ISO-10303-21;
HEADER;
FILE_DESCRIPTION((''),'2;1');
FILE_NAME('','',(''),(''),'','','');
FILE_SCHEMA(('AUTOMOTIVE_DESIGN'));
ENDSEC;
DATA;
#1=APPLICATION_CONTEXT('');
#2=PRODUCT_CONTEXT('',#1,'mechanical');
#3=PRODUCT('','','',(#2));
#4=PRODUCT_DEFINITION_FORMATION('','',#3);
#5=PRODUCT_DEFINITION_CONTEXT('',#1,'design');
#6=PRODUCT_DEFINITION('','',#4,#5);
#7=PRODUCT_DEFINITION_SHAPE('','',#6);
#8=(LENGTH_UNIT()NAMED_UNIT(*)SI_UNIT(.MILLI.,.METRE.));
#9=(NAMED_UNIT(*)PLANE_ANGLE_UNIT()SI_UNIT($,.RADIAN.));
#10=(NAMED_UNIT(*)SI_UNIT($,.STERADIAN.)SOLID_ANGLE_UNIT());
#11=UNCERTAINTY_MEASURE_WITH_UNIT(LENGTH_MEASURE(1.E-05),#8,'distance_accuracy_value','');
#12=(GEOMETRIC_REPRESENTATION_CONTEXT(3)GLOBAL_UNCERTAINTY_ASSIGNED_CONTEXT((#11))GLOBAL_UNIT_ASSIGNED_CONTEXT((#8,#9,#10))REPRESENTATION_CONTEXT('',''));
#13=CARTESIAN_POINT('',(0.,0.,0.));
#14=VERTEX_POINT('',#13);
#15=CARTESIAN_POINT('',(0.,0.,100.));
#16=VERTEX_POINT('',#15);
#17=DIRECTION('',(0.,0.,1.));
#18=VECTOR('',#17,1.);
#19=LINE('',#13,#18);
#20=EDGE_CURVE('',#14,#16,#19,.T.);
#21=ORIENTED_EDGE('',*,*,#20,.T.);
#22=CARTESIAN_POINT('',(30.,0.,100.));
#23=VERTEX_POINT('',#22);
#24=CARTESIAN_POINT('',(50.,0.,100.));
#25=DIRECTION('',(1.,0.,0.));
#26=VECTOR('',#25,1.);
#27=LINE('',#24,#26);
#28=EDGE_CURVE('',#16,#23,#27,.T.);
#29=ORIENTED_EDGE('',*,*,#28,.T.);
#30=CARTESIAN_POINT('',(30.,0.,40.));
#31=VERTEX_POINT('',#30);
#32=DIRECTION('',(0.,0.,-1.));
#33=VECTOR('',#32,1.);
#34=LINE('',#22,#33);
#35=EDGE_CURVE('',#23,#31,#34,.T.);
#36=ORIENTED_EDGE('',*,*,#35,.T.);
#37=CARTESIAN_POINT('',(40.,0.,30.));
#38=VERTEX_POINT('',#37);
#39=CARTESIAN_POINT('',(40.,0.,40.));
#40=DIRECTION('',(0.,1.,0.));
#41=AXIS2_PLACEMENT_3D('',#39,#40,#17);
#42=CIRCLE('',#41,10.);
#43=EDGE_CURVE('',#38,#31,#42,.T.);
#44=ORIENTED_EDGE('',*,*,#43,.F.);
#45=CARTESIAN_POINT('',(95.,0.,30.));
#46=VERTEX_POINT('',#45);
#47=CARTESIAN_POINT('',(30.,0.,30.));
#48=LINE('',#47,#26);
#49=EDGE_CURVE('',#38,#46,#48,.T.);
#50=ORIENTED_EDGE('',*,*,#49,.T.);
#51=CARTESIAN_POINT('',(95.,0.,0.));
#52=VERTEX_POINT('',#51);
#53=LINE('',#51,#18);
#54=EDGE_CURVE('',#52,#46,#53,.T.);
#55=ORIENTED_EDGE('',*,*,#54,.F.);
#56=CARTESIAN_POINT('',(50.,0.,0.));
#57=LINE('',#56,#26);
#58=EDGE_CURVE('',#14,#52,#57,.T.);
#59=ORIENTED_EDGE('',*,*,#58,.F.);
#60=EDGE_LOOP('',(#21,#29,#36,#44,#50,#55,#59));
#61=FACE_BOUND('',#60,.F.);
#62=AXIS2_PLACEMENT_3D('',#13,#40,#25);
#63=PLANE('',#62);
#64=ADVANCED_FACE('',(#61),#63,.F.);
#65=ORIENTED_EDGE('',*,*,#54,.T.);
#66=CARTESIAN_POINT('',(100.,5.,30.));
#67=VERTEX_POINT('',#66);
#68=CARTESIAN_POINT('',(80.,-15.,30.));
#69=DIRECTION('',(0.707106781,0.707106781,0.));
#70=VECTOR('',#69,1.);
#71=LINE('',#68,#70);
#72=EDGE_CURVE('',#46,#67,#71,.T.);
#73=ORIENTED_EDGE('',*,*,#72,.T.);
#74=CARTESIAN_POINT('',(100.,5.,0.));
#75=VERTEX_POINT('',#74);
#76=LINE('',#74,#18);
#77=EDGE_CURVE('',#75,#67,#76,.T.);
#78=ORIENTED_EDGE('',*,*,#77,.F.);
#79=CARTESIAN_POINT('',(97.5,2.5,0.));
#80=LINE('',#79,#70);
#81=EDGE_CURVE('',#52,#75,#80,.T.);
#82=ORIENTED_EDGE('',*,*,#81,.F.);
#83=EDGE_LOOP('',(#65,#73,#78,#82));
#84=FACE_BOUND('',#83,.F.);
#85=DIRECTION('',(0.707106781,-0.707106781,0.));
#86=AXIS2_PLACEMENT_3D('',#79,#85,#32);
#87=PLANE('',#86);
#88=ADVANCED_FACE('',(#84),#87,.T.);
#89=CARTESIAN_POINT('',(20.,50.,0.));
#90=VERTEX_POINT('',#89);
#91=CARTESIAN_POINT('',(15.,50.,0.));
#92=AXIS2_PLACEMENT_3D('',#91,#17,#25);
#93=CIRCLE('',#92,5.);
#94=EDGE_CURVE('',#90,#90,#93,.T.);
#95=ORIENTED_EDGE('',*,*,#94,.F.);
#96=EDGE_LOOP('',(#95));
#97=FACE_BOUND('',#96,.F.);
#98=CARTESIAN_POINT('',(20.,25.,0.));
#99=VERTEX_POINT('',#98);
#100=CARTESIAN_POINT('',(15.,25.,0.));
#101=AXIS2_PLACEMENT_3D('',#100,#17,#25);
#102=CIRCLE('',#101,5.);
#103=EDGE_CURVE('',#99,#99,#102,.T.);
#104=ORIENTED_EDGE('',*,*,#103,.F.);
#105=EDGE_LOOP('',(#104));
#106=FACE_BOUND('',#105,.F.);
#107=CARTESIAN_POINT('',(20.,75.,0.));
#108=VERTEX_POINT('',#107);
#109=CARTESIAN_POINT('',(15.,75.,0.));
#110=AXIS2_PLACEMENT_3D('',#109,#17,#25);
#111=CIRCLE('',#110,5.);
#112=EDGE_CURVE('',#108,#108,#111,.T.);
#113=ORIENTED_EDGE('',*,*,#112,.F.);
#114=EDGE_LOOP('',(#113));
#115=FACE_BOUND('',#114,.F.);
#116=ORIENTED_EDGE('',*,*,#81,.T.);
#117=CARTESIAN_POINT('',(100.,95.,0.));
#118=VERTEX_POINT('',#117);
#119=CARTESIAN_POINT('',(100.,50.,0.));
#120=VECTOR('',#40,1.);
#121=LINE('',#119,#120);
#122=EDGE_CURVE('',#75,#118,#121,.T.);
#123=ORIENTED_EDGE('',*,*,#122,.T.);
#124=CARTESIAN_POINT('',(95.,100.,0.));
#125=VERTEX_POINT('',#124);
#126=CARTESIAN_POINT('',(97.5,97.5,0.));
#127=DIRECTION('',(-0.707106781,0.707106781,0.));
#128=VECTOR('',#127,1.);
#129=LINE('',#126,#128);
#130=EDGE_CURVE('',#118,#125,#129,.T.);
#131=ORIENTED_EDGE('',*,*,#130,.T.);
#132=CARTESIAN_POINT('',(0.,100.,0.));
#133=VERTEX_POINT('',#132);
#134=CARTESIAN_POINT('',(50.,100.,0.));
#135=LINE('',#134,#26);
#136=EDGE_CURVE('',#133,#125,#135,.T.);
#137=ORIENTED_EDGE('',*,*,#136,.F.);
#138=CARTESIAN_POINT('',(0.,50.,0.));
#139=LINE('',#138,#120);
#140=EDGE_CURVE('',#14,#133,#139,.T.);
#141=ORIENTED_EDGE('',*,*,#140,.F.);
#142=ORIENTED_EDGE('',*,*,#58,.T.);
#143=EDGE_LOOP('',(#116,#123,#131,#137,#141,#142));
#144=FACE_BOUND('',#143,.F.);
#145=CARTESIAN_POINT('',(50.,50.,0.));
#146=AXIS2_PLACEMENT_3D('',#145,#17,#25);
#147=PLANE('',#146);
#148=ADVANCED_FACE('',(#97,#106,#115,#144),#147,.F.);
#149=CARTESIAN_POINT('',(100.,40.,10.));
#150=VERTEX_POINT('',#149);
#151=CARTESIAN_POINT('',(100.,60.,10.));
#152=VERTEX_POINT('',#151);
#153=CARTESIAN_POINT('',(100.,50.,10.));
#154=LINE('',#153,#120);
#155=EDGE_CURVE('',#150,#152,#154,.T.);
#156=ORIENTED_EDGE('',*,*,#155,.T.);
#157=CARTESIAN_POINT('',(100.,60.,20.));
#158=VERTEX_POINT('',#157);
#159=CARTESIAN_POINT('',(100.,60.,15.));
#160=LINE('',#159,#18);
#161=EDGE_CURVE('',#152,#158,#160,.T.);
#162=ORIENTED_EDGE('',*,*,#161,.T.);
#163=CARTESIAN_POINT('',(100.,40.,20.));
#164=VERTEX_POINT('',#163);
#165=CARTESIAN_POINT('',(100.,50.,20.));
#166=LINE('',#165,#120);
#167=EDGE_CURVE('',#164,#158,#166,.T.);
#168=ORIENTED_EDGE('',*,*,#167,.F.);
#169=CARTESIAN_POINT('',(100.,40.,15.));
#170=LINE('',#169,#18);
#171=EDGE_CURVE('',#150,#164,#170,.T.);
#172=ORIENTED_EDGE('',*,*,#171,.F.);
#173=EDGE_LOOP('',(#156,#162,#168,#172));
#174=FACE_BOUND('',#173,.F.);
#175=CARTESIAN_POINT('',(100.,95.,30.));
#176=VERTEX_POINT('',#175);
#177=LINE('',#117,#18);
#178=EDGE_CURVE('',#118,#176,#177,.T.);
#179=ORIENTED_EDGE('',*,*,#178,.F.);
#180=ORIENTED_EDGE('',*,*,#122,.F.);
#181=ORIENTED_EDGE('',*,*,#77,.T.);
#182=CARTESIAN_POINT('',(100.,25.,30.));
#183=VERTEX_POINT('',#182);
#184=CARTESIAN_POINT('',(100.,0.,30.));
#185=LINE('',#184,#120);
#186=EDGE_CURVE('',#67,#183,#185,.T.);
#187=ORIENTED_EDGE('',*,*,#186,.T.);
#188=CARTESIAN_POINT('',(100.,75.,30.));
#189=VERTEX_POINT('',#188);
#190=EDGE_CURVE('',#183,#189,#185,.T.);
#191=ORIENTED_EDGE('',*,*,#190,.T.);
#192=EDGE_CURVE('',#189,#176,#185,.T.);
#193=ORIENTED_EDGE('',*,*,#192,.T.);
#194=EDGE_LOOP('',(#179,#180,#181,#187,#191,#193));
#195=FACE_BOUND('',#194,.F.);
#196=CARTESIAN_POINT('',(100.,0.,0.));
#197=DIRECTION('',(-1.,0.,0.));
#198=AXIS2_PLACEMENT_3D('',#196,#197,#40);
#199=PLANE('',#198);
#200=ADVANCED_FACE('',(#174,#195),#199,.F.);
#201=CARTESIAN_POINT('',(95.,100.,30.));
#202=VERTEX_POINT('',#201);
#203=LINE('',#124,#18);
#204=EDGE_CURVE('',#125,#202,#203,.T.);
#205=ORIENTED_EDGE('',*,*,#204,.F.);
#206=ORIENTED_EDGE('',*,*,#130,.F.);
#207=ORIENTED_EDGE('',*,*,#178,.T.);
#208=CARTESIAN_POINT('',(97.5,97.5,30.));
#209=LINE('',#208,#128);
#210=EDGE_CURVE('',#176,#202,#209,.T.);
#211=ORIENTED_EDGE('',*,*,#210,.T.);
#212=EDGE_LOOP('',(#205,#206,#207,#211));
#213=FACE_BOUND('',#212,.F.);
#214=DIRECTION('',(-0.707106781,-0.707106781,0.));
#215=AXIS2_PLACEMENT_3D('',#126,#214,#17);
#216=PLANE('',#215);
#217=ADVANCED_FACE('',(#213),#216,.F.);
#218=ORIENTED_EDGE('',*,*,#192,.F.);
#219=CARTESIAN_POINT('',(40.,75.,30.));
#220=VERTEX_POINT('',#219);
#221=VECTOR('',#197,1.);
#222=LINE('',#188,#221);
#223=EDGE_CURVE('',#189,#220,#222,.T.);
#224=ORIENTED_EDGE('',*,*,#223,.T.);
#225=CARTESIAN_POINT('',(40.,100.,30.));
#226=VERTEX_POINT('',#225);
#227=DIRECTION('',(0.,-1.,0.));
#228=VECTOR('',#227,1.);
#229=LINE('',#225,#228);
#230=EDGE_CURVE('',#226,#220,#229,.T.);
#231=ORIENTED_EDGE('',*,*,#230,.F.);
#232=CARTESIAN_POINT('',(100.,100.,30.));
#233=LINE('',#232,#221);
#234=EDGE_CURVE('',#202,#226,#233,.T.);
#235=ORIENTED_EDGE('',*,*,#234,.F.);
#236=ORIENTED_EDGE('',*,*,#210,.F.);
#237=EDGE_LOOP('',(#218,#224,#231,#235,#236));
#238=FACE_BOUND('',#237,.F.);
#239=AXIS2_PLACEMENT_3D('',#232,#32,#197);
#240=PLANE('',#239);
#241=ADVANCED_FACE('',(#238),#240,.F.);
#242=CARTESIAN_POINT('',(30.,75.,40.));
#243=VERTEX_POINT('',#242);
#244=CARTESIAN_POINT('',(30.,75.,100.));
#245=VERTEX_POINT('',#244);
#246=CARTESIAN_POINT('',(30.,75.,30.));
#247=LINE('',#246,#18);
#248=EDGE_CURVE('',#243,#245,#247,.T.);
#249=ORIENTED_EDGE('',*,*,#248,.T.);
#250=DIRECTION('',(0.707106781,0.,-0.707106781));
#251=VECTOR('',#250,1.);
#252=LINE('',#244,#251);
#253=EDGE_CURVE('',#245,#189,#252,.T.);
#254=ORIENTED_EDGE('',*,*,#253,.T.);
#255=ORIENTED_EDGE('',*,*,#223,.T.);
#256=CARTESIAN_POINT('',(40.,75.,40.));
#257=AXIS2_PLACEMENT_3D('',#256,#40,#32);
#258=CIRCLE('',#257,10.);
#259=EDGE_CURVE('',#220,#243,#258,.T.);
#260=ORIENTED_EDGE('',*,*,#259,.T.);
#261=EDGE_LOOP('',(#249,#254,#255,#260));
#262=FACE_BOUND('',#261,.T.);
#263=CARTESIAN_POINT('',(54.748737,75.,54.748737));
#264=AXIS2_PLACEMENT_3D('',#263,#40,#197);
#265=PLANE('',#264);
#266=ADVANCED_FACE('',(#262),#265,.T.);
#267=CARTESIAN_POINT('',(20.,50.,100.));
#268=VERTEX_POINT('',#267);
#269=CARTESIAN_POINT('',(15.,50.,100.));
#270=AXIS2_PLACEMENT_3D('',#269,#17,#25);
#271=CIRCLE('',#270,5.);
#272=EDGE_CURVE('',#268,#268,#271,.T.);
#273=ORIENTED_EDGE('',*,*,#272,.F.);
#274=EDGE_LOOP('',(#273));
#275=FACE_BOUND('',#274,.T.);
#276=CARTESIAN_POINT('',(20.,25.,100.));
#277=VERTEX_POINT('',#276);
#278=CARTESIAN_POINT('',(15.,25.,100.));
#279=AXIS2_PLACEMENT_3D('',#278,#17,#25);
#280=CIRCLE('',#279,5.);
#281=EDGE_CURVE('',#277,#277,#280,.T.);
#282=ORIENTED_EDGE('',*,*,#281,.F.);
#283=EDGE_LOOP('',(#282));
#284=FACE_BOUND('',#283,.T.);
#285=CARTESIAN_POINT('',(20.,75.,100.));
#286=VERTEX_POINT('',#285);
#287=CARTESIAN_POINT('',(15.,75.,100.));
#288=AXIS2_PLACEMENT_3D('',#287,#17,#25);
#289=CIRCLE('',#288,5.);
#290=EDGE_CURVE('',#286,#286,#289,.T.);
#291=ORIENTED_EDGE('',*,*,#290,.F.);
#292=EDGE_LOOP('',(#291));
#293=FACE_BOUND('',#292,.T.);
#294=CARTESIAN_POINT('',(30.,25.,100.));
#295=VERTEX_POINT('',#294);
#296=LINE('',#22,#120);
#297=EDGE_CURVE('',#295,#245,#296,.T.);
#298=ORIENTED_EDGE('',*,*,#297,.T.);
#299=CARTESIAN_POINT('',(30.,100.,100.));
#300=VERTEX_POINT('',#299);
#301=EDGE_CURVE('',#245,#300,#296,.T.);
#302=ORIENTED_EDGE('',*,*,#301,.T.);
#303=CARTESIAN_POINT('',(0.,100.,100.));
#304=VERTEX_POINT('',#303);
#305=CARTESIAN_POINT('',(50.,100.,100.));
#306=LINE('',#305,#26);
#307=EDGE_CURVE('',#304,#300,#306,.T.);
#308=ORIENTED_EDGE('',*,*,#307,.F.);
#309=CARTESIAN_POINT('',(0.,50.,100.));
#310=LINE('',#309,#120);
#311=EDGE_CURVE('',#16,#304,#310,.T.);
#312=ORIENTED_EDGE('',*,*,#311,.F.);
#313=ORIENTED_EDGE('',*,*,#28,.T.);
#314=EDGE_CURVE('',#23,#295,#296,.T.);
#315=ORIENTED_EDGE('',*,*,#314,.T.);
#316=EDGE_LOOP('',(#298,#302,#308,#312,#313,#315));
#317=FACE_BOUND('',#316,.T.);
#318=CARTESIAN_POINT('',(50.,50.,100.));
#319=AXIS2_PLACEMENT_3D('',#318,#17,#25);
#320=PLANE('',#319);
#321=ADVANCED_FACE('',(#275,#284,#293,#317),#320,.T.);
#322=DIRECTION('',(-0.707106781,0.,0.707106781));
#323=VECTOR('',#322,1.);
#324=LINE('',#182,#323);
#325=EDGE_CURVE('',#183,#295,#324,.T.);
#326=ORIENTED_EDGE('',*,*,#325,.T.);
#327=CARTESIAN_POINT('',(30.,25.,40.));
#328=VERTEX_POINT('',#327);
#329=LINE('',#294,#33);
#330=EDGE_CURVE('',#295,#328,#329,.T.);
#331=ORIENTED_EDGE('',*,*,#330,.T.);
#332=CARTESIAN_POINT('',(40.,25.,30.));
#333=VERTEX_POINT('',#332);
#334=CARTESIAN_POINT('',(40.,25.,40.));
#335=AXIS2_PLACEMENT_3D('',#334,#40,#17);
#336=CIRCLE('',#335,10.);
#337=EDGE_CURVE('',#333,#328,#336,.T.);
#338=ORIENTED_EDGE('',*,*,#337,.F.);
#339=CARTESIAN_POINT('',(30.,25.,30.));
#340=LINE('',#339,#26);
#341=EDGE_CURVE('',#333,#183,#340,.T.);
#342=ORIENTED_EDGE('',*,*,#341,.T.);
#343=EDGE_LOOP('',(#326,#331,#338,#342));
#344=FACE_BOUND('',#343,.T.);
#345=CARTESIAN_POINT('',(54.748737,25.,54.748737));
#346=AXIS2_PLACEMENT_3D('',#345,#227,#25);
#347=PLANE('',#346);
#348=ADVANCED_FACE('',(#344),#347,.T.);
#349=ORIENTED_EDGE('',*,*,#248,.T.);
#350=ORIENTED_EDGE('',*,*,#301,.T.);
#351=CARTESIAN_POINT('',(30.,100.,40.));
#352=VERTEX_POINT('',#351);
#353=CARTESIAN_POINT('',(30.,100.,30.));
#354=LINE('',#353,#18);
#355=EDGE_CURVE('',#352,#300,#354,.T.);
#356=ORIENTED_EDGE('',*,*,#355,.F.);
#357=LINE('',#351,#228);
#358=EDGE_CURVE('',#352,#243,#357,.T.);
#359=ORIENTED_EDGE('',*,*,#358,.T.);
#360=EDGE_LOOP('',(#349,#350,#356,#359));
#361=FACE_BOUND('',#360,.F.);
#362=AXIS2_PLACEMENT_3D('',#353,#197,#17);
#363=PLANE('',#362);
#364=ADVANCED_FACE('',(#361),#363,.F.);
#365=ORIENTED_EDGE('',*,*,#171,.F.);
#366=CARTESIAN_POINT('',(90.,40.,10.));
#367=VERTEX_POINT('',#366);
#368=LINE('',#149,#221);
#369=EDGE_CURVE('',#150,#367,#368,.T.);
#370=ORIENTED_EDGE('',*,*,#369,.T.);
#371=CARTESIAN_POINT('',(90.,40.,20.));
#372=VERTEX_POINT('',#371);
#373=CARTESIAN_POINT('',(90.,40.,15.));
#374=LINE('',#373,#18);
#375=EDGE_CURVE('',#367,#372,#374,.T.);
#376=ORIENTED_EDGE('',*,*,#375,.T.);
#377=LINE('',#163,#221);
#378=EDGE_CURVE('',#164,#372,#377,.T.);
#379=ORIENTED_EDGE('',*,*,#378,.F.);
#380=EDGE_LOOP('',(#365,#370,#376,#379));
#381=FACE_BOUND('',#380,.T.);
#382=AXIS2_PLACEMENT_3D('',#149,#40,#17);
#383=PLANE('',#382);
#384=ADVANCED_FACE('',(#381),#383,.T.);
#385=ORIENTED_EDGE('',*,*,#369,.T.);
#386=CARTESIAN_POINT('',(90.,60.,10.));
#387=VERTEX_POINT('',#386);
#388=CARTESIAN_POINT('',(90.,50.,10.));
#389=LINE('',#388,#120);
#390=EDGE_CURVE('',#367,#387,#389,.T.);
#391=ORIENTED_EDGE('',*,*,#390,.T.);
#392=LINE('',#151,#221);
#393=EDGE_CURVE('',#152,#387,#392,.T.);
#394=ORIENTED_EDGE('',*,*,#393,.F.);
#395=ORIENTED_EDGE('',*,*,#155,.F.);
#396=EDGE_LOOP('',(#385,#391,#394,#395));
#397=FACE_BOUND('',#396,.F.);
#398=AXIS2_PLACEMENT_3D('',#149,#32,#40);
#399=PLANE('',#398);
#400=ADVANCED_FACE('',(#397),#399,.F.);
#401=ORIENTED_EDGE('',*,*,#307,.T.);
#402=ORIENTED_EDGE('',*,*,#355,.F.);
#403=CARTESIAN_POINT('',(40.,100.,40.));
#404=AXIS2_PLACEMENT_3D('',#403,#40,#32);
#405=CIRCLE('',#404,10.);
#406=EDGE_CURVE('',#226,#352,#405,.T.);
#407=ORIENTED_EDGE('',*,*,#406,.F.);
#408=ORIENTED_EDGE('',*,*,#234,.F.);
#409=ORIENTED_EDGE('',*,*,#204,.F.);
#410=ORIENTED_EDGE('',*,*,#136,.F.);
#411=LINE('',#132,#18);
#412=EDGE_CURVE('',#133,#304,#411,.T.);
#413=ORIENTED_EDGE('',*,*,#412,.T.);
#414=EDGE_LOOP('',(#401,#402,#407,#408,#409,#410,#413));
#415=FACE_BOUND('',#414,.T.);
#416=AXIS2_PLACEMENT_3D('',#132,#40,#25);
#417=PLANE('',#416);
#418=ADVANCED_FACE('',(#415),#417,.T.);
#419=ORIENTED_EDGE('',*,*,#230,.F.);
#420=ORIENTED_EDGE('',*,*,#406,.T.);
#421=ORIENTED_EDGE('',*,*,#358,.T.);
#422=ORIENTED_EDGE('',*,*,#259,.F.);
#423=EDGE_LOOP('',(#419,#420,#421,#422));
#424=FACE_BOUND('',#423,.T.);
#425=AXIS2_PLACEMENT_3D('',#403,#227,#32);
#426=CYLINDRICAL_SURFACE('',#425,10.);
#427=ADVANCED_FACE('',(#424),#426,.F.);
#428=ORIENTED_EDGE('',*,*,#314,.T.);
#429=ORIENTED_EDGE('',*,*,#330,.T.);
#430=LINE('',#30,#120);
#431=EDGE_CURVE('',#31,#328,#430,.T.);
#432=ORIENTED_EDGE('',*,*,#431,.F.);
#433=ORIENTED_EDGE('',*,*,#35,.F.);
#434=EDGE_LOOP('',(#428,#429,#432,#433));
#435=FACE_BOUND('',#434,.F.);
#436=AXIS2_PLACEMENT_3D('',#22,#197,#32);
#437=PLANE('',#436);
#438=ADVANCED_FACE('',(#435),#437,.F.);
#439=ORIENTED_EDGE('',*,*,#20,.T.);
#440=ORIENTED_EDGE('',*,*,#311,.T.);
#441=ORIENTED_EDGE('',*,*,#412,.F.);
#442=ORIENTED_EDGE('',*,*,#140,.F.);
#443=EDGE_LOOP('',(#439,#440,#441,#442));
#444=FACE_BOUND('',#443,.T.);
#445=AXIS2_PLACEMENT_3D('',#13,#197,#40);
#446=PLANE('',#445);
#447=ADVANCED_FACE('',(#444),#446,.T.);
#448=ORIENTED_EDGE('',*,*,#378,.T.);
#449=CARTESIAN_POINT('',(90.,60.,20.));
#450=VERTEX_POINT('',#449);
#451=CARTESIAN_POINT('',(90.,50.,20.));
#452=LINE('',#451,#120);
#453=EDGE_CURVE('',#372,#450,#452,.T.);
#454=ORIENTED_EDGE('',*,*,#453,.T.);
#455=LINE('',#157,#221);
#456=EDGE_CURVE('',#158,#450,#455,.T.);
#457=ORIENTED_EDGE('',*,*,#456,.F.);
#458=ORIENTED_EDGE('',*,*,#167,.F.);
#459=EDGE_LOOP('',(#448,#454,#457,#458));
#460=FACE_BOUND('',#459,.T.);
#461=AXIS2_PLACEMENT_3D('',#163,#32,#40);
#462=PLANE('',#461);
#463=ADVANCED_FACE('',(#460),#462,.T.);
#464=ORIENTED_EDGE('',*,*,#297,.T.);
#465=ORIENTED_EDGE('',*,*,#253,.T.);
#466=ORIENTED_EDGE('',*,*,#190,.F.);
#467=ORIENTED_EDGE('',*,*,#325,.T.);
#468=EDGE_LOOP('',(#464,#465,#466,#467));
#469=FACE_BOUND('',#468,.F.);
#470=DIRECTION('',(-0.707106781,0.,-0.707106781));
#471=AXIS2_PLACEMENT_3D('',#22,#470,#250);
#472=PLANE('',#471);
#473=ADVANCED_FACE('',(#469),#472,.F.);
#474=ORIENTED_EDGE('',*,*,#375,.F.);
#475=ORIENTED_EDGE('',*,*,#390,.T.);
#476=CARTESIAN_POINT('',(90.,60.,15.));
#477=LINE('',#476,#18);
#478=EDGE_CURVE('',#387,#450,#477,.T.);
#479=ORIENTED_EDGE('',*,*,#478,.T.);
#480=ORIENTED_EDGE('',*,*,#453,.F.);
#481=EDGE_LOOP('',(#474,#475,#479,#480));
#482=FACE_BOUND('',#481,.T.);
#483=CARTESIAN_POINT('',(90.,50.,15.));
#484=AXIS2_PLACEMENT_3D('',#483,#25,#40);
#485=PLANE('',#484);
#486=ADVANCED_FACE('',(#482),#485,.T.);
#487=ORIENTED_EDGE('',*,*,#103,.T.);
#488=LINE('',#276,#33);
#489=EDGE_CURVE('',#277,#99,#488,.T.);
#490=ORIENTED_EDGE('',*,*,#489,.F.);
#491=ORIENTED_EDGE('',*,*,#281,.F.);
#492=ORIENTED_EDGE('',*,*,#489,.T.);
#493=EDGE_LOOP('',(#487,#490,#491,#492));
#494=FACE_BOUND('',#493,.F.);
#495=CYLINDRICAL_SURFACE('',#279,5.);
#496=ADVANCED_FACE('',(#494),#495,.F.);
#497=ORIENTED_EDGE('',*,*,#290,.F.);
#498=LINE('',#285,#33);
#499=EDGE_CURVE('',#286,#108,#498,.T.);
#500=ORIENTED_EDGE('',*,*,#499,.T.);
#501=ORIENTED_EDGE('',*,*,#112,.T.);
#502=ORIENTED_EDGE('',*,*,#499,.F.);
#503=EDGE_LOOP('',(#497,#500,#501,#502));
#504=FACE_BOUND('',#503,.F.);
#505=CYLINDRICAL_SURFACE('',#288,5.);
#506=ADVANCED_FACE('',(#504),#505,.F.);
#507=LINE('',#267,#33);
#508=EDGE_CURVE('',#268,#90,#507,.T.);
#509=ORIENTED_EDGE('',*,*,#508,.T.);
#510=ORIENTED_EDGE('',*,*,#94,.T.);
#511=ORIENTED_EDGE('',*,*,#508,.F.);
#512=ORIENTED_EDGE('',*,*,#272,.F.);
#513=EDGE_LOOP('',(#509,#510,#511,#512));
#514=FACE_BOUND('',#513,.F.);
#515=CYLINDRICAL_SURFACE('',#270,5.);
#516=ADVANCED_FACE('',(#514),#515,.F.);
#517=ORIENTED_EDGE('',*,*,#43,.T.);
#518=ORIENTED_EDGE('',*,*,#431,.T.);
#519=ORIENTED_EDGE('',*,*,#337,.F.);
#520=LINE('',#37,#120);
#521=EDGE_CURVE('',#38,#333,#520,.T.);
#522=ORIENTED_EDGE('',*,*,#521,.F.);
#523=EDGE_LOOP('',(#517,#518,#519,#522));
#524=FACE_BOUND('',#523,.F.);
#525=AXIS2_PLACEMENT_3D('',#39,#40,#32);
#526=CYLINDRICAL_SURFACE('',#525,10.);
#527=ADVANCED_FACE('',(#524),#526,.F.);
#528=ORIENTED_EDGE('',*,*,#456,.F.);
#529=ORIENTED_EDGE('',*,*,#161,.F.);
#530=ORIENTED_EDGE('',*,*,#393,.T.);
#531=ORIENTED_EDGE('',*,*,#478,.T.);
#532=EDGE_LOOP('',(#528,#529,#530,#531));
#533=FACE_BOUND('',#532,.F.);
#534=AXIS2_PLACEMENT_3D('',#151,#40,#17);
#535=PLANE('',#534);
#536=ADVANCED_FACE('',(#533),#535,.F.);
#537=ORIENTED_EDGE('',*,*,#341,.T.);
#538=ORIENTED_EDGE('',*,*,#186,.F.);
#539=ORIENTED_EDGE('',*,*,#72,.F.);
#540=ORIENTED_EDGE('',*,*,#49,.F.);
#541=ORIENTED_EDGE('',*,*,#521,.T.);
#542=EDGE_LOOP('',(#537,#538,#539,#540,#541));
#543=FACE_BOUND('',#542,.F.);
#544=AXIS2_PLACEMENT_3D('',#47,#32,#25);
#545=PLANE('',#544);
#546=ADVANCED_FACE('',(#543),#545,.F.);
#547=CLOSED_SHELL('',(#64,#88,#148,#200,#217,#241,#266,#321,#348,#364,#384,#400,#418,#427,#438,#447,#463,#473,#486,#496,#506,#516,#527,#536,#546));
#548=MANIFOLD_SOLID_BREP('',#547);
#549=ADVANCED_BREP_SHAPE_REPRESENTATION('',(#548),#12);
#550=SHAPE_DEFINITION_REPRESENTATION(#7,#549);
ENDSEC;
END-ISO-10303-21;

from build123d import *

# Parameters (mm, degrees)
F0_W      = 100
F0_H      = 100
F1_DEPTH  = 100
F2_W      = 20
F2_H      = 10
F3_DEPTH  = 10
F4_R      = 5
F5_DEPTH  = 100.001
F7_DEPTH  = 100.001
F9_DEPTH  = 25
F11_DEPTH = 25
F12_R     = 10
F13_SIZE  = 5


with BuildPart() as f1:
    # F0 (on Top) → F1 (new body)
    with BuildSketch(Plane.XY):
        with Locations((50, 50)):
            Rectangle(F0_W, F0_H)
    extrude(amount=F1_DEPTH)

    # F2 (on face) → F3 (cut)
    with BuildSketch(Plane.YZ.offset(100)):
        with Locations((50, 15)):
            Rectangle(F2_W, F2_H)
    extrude(amount=-F3_DEPTH, mode=Mode.SUBTRACT)

    # F4 (on face) → F5 (cut, through all)
    with BuildSketch(Plane.XY.offset(100)):
        with Locations((15, 75)):
            Circle(F4_R)
        with Locations((15, 50)):
            Circle(F4_R)
        with Locations((15, 25)):
            Circle(F4_R)
    extrude(amount=-F5_DEPTH, mode=Mode.SUBTRACT)

    # F6 (on face) → F7 (cut, through all)
    with BuildSketch(Plane.XZ):
        Polygon((100, 30), (100, 100), (30, 100), align=None)
    extrude(amount=-F7_DEPTH, mode=Mode.SUBTRACT)

    # F8 (on face) → F9 (cut)
    with BuildSketch(Plane.XZ):
        Polygon((100, 30), (30, 100), (30, 30), align=None)
    extrude(amount=-F9_DEPTH, mode=Mode.SUBTRACT)

    # F10 (on face) → F11 (cut)
    with BuildSketch(Plane(origin=(0, 100, 0), x_dir=(-1, 0, 0), z_dir=(0, 1, 0))):
        Polygon((-30, 100), (-100, 30), (-30, 30), align=None)
    extrude(amount=-F11_DEPTH, mode=Mode.SUBTRACT)

    # F12
    f12_edges = [f1.edges().sort_by_distance(p)[0] for p in [
        (30, 12.5, 30),
        (30, 87.5, 30),
    ]]
    fillet(f12_edges, radius=F12_R)

    # F13
    f13_edges = [f1.edges().sort_by_distance(p)[0] for p in [
        (100, 0, 15),
        (100, 100, 15),
    ]]
    chamfer(f13_edges, length=F13_SIZE)


solid = f1.part
